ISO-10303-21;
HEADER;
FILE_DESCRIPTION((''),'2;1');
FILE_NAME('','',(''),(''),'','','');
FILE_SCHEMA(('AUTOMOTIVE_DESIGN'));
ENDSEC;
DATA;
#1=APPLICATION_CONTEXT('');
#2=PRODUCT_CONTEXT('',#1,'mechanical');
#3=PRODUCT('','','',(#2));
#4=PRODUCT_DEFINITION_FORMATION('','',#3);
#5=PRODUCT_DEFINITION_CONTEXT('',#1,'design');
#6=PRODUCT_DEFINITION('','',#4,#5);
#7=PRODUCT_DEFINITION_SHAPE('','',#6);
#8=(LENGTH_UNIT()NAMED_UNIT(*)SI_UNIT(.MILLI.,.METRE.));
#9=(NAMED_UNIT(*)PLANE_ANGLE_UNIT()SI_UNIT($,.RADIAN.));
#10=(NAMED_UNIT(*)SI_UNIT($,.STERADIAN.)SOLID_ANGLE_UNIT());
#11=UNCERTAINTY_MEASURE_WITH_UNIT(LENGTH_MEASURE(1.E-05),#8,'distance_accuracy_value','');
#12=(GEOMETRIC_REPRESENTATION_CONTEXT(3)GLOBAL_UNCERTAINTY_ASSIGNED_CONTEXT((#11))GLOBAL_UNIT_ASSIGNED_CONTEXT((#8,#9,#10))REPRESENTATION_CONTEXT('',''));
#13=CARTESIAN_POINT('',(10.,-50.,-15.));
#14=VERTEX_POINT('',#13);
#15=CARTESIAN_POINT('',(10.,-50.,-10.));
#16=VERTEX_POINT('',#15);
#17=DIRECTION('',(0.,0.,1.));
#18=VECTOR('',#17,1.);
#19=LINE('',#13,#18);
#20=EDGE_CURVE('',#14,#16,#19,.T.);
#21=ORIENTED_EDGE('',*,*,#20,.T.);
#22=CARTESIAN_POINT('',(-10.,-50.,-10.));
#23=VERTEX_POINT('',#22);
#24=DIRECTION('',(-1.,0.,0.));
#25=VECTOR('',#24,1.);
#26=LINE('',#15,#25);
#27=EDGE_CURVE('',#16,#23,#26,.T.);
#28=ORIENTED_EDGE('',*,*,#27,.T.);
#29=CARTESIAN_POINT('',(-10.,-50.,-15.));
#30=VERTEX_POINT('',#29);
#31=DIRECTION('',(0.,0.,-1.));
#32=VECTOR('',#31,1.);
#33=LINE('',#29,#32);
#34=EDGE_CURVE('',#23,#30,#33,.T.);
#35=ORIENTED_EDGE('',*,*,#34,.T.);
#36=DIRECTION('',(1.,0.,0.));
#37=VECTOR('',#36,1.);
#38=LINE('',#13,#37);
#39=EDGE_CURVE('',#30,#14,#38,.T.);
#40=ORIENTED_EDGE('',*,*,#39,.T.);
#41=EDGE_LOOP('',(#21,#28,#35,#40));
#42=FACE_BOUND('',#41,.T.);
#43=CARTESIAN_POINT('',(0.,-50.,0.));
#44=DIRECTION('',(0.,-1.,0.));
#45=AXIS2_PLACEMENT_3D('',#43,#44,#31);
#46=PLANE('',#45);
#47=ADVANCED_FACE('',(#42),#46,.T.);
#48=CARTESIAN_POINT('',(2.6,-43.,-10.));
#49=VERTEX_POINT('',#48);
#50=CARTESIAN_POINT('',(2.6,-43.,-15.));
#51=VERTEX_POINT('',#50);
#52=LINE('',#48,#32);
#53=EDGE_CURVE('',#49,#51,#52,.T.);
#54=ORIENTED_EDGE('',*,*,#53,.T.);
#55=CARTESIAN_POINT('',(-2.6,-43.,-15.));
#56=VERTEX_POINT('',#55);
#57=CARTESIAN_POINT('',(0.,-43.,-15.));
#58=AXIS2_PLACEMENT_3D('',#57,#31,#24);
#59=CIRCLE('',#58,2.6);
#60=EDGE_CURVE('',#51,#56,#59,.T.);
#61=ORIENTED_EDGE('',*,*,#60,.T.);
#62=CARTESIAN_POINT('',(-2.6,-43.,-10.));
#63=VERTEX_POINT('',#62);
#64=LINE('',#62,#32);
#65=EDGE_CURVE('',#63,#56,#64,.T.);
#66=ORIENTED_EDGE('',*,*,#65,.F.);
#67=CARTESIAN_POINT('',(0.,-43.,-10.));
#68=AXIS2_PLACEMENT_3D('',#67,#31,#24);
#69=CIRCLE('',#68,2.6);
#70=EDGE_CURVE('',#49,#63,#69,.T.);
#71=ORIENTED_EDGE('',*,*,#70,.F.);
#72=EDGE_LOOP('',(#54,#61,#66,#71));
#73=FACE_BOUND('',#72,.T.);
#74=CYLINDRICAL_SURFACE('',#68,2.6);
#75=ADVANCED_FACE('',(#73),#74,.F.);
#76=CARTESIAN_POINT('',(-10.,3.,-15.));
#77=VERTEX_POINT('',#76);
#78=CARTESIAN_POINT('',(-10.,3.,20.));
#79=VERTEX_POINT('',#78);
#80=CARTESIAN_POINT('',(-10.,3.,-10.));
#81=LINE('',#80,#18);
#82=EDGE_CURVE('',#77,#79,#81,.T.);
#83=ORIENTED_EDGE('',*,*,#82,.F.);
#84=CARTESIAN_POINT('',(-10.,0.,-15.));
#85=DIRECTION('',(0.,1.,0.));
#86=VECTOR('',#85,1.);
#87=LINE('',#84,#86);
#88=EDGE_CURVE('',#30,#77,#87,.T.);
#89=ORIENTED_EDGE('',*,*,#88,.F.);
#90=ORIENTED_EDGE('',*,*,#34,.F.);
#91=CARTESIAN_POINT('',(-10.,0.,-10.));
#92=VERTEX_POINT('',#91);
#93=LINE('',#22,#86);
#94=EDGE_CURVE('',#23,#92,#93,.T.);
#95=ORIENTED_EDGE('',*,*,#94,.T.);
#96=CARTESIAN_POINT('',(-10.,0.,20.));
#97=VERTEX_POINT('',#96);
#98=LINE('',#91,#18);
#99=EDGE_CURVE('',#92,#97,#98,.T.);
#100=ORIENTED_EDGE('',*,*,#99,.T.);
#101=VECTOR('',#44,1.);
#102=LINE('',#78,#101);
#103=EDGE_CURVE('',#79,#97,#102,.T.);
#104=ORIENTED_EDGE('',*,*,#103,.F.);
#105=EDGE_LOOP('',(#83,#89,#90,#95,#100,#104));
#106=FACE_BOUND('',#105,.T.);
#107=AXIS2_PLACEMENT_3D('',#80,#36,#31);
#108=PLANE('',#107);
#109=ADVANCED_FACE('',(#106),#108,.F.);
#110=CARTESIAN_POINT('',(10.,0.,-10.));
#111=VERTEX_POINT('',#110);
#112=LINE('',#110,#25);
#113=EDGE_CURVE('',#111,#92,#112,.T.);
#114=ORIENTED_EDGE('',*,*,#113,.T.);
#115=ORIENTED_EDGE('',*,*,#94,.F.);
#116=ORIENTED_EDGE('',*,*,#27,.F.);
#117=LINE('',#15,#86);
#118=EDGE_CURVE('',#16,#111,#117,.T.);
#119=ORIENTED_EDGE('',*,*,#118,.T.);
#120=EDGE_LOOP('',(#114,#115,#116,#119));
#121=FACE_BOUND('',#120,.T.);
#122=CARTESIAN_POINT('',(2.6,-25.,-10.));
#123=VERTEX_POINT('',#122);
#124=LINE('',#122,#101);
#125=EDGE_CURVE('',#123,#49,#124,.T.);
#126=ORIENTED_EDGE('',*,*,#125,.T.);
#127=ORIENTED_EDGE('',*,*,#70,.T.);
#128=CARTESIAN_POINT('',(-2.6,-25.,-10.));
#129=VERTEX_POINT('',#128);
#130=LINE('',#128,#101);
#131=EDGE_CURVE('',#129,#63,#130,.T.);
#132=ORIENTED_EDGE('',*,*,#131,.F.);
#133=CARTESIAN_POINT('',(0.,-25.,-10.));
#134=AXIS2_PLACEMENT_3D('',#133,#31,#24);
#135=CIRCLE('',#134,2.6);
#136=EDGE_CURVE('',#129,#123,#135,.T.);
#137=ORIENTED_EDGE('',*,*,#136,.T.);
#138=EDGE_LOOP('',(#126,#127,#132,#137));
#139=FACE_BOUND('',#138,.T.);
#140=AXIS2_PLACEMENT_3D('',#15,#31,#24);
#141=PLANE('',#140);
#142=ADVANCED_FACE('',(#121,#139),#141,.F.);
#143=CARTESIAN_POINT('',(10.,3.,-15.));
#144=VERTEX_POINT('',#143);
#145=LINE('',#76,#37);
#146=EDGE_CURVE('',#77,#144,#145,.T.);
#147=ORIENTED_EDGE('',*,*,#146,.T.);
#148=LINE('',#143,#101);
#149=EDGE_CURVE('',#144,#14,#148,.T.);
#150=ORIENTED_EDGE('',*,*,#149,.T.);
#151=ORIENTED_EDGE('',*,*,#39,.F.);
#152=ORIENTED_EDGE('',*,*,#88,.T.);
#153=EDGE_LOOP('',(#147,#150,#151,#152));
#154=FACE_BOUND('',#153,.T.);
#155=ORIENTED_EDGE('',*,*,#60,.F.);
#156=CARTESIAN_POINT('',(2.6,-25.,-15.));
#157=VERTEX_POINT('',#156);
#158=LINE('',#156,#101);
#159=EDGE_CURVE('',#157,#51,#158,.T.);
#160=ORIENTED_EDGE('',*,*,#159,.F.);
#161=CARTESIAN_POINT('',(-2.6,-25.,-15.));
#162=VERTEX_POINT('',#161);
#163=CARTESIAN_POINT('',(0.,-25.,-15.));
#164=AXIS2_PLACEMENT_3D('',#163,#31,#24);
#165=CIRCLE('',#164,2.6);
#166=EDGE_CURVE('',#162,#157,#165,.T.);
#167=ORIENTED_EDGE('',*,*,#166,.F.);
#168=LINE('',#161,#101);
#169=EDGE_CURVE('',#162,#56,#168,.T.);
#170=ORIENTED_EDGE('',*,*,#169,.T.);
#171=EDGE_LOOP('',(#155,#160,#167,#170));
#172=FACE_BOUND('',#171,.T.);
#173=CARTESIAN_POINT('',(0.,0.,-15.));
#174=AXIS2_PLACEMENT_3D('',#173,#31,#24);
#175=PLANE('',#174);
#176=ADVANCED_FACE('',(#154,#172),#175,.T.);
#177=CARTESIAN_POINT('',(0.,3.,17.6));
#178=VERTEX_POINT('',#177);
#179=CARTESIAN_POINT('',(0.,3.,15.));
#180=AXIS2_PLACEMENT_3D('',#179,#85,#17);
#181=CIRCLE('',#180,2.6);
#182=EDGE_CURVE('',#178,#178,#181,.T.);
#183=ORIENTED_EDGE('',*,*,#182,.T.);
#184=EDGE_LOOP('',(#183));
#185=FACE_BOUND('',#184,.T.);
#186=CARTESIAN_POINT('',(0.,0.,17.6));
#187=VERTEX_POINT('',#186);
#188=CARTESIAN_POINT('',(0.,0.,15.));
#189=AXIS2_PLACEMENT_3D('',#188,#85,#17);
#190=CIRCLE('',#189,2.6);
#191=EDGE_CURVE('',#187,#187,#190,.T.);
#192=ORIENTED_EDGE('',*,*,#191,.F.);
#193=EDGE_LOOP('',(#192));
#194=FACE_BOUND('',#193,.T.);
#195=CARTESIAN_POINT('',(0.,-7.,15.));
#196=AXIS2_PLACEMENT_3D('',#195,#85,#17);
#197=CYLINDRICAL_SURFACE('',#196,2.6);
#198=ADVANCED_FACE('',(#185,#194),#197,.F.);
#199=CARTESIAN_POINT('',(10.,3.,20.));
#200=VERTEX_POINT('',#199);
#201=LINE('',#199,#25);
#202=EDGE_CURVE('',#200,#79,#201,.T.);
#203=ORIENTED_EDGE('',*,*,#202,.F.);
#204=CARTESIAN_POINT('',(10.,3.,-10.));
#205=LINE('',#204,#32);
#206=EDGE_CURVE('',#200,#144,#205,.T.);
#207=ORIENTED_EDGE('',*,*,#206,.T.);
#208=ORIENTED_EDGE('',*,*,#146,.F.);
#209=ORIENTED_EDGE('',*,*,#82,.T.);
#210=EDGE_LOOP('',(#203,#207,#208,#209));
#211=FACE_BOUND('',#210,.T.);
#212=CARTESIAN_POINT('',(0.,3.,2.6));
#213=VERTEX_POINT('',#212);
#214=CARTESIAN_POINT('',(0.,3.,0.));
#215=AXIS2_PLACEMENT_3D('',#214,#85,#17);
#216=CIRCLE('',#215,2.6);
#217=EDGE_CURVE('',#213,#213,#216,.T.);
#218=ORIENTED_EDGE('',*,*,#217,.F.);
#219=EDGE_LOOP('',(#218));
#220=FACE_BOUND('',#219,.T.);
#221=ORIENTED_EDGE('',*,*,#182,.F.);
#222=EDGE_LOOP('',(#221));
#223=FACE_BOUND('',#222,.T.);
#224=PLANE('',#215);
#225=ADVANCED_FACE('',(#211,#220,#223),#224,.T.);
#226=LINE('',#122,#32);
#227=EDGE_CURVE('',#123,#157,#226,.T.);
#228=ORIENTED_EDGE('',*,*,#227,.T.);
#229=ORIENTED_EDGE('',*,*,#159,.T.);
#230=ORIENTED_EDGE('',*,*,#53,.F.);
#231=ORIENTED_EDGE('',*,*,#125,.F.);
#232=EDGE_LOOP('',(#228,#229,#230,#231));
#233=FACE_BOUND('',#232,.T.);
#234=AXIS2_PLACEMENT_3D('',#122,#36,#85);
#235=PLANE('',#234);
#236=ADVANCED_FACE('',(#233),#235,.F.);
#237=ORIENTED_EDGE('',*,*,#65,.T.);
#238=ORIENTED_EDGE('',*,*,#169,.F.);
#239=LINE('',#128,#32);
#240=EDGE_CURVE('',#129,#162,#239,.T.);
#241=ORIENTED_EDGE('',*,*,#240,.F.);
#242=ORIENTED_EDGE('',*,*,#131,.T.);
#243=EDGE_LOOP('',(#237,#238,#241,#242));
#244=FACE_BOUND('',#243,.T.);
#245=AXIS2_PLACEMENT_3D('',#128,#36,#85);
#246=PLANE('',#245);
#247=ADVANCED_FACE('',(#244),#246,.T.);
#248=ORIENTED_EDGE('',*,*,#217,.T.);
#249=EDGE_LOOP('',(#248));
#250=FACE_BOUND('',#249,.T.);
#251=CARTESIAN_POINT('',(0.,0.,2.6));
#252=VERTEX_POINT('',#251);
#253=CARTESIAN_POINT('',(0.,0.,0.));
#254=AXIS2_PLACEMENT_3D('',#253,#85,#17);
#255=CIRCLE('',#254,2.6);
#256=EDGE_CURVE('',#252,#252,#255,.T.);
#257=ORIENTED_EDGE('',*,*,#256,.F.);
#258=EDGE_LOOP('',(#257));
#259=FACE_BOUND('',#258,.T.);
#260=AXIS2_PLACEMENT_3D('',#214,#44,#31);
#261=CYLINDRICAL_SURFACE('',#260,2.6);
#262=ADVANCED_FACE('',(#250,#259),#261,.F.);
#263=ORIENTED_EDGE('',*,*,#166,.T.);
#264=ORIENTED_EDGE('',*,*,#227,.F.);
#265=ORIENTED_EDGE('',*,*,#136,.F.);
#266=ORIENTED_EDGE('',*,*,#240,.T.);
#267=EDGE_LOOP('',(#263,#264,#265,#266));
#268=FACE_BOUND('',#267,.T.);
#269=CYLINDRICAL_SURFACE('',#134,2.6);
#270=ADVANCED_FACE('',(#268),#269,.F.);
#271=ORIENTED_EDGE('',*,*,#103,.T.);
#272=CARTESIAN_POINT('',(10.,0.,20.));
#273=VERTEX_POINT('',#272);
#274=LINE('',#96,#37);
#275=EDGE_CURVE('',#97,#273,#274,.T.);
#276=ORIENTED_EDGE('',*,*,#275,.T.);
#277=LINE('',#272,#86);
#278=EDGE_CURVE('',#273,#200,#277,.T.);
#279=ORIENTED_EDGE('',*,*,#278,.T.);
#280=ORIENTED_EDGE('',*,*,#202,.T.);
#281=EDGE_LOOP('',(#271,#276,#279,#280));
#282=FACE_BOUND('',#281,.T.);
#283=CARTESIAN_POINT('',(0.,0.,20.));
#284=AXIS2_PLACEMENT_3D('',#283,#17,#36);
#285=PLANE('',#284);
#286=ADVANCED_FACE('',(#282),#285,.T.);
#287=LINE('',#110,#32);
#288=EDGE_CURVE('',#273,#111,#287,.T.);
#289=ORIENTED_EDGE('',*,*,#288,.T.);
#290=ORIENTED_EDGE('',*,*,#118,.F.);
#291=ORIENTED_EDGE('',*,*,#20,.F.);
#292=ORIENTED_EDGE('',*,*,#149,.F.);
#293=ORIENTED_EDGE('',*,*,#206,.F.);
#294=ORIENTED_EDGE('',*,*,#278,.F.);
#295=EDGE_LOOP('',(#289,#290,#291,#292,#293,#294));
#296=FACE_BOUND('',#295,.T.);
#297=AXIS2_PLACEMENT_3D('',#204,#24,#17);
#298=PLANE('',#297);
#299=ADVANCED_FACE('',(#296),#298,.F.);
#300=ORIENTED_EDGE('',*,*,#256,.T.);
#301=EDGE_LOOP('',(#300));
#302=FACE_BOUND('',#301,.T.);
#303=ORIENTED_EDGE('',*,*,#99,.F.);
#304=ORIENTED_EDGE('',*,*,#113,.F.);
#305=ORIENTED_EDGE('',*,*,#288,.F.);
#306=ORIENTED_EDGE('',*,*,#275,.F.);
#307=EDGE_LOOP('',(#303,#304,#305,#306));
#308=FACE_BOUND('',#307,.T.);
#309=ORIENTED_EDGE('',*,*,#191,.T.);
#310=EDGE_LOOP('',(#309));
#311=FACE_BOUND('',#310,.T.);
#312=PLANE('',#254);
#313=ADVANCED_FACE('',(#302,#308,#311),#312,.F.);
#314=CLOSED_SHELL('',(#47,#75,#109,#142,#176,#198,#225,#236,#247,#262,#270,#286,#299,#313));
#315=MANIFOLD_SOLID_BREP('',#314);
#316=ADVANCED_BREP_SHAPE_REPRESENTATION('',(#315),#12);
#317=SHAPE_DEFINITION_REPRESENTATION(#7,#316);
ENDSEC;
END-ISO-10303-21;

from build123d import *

# Parameters (mm, degrees)
SKETCH1_W           = 20
SKETCH1_H           = 20
SKETCH1_R           = 2.6
BOSS_EXTRUDE2_DEPTH = 3
SKETCH2_W           = 20
SKETCH2_H           = 3
BOSS_EXTRUDE3_DEPTH = 10
SKETCH4_R           = 2.6
CUT_EXTRUDE1_DEPTH  = 10
SKETCH6_W           = 20
SKETCH6_H           = 3
BOSS_EXTRUDE5_DEPTH = 5
SKETCH7_W           = 20
SKETCH7_H           = 5
BOSS_EXTRUDE6_DEPTH = 50
CUT_EXTRUDE2_DEPTH  = 5


with BuildPart() as part:
    # Sketch1 → Boss-Extrude2 (new body)
    with BuildSketch(Plane(origin=(0, 0, 0), x_dir=(1, 0, 0), z_dir=(0, 1, 0))):
        Rectangle(SKETCH1_W, SKETCH1_H)
        with Locations(Location((0, 0, 0), (0, 0, 270))):
            Circle(SKETCH1_R, mode=Mode.SUBTRACT)
    extrude(amount=BOSS_EXTRUDE2_DEPTH)

    # Sketch2 → Boss-Extrude3 (add)
    with BuildSketch(Plane.XY.offset(10)):
        with Locations((0, 1.5)):
            Rectangle(SKETCH2_W, SKETCH2_H)
    extrude(amount=BOSS_EXTRUDE3_DEPTH)

    # Sketch4 → Cut-Extrude1 (cut)
    with BuildSketch(Plane(origin=(0, 3, 0), x_dir=(1, 0, 0), z_dir=(0, 1, 0))):
        with Locations(Location((0, -15, 0), (0, 0, 270))):
            Circle(SKETCH4_R)
    extrude(amount=-CUT_EXTRUDE1_DEPTH, mode=Mode.SUBTRACT)

    # Sketch6 → Boss-Extrude5 (add)
    with BuildSketch(Plane(origin=(0, 0, -10), x_dir=(-1, 0, 0), z_dir=(0, 0, -1))):
        with Locations((0, 1.5)):
            Rectangle(SKETCH6_W, SKETCH6_H)
    extrude(amount=BOSS_EXTRUDE5_DEPTH)

    # Sketch7 → Boss-Extrude6 (add)
    with BuildSketch(Plane.XZ):
        with Locations((0, -12.5)):
            Rectangle(SKETCH7_W, SKETCH7_H)
    extrude(amount=BOSS_EXTRUDE6_DEPTH)

    # Sketch8 → Cut-Extrude2 (cut)
    with BuildSketch(Plane(origin=(0, 0, -15), x_dir=(-1, 0, 0), z_dir=(0, 0, -1))):
        with BuildLine():
            Line((-2.6, -25), (-2.6, -43))
            ThreePointArc((-2.6, -43), (0, -45.6), (2.6, -43))
            Line((2.6, -43), (2.6, -25))
            ThreePointArc((2.6, -25), (0, -22.4), (-2.6, -25))
        make_face()
    extrude(amount=-CUT_EXTRUDE2_DEPTH, mode=Mode.SUBTRACT)


solid = part.part
